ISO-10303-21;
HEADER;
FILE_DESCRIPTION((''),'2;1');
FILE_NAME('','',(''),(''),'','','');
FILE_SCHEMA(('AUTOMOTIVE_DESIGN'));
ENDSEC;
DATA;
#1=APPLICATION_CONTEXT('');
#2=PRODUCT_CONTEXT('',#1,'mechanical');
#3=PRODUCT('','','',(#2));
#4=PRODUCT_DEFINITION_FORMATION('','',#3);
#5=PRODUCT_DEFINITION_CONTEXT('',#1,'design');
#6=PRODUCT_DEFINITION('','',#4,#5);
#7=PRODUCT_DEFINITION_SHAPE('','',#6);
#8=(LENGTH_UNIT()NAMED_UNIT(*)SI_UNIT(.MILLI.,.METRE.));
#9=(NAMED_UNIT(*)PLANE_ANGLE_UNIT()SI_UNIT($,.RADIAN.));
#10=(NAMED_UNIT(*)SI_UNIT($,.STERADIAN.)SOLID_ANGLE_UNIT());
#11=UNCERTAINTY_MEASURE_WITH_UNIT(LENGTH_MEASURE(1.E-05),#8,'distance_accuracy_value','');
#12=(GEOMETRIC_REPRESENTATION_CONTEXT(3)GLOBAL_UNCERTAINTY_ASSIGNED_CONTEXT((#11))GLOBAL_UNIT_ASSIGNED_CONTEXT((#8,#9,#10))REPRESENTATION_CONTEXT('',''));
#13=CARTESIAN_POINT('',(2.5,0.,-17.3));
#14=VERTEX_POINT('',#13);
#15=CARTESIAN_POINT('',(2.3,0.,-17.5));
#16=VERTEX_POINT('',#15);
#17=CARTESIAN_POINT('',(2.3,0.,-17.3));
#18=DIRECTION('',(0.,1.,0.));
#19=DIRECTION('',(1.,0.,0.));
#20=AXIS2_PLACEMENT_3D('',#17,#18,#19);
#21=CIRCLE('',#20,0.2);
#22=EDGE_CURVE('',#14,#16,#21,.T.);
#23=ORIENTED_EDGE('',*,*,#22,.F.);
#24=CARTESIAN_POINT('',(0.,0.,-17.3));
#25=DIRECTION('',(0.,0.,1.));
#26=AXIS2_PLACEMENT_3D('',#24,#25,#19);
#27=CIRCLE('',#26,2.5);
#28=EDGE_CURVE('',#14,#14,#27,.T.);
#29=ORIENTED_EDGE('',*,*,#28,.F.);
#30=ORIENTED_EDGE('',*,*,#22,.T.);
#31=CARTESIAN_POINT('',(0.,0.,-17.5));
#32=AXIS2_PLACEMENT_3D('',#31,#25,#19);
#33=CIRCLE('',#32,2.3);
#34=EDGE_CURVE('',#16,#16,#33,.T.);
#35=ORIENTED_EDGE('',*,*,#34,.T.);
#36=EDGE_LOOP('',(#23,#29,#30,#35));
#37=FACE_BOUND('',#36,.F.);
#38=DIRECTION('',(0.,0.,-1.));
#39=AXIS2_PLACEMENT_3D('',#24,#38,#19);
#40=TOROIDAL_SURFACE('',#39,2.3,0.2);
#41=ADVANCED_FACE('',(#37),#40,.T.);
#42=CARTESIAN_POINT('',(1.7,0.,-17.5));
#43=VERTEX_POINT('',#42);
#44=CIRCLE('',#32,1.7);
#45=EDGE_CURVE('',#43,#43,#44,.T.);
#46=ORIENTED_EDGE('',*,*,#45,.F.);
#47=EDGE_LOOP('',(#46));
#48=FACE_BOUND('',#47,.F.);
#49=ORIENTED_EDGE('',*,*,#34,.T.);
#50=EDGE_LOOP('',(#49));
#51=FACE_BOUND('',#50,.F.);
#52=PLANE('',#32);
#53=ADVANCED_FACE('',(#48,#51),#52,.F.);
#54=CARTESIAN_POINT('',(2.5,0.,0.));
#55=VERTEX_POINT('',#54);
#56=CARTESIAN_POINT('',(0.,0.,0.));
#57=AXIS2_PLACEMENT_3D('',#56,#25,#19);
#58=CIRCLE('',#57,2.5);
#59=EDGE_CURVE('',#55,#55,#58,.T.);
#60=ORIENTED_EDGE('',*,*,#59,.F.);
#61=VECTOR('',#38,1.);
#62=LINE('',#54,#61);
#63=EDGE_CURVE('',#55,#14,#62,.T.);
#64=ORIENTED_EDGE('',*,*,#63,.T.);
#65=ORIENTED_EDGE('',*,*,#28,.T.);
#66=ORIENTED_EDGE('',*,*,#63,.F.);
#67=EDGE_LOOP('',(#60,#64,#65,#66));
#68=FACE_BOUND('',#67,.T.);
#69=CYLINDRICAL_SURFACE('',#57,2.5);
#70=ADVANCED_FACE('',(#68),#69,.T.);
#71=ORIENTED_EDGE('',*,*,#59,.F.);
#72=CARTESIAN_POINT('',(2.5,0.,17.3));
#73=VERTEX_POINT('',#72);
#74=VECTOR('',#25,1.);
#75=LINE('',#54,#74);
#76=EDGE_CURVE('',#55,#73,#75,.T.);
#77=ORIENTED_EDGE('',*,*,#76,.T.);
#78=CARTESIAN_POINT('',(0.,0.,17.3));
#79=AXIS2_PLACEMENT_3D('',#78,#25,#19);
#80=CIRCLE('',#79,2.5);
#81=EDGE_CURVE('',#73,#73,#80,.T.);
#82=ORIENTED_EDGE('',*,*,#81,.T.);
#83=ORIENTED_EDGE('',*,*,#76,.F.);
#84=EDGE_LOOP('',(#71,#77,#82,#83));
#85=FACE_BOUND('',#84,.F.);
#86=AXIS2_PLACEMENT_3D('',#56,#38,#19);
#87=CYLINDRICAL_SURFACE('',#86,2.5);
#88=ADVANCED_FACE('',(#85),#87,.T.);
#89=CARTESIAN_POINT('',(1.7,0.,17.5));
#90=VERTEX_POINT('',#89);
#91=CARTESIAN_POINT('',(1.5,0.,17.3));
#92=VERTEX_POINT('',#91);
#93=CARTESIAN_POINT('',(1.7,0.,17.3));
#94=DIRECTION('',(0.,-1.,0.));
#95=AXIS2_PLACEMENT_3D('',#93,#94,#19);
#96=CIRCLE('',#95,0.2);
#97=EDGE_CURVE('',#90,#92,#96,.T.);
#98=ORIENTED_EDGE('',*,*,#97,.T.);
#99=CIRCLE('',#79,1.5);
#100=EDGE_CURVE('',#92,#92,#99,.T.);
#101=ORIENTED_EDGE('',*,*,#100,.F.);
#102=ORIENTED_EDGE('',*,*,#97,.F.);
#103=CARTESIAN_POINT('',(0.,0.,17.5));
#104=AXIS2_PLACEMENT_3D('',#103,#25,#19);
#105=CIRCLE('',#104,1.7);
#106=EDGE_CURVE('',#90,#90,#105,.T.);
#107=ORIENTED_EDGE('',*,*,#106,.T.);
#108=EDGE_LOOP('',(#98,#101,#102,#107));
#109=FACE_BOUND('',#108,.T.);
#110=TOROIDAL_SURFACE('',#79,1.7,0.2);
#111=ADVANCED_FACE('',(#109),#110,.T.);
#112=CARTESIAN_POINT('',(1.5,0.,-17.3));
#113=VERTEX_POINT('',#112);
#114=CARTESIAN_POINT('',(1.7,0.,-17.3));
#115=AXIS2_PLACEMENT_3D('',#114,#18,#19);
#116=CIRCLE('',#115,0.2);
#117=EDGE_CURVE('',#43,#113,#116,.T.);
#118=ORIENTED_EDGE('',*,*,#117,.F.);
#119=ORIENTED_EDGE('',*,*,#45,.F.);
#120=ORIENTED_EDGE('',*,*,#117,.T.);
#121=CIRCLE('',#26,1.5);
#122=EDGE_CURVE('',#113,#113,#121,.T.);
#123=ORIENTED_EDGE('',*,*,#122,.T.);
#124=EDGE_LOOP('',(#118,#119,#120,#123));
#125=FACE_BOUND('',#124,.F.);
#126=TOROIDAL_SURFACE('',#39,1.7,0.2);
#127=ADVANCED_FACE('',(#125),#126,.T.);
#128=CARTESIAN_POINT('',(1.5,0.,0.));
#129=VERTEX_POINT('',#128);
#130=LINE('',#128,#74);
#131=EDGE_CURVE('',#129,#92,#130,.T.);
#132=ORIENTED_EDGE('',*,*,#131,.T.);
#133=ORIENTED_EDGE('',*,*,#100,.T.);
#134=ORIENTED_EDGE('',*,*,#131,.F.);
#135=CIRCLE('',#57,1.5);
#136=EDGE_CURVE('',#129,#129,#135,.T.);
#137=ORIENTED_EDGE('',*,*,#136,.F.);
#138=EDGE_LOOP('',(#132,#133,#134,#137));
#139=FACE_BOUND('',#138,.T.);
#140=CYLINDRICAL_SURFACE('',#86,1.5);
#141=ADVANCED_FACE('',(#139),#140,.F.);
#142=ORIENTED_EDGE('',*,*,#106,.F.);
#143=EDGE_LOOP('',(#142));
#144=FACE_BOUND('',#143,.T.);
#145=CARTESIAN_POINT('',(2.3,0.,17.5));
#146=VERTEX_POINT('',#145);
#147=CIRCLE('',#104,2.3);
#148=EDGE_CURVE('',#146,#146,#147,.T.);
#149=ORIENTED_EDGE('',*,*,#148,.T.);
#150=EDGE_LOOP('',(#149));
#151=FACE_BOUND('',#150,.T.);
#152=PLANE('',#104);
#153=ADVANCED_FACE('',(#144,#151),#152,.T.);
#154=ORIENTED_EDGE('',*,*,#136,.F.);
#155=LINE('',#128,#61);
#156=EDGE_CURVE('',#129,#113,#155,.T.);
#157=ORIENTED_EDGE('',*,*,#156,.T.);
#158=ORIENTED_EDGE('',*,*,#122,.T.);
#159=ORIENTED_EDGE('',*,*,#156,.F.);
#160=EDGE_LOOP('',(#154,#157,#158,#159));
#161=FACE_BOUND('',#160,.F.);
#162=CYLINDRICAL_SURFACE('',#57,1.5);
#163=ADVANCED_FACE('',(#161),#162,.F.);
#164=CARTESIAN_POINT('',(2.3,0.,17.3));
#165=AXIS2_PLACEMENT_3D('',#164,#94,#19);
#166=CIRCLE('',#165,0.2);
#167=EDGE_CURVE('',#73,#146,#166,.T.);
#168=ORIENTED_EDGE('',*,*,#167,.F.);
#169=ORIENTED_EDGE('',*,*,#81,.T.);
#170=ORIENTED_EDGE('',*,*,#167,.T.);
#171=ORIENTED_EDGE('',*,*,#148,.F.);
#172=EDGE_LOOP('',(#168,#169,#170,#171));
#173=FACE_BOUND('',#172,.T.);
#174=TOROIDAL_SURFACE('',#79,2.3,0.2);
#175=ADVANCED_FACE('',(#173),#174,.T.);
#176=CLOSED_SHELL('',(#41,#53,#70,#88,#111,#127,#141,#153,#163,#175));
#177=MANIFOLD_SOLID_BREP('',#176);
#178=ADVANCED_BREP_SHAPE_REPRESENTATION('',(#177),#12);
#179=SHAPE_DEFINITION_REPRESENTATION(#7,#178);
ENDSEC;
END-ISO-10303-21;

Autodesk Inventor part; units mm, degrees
ref_plane "YZ Plane" through (0, 0, 0) normal (1, 0, 0) x (0, 1, 0)
ref_plane "XZ Plane" through (0, 0, 0) normal (0, 1, 0) x (-1, 0, 0)
ref_plane "XY Plane" through (0, 0, 0) normal (0, 0, 1) x (1, 0, 0)
sketch "Sketch1" plane through (0, 0, 0) normal (0, 0, 1) x (1, 0, 0)
  circle A0 centre (0, 0) radius 2.5
  circle A1 centre (0, 0) radius 1.5
  dimension "d0" = 5
  dimension "d1" = 3
extrude "Extrusion1" add sketch "Sketch1" along normal mid plane 35
fillet "Fillet1" radius 0.2 4 edges at (-2.5, 0, 17.5) (-1.5, 0, 17.5) (-2.5, 0, -17.5) (-1.5, 0, -17.5)
properties part number "Spacer"
